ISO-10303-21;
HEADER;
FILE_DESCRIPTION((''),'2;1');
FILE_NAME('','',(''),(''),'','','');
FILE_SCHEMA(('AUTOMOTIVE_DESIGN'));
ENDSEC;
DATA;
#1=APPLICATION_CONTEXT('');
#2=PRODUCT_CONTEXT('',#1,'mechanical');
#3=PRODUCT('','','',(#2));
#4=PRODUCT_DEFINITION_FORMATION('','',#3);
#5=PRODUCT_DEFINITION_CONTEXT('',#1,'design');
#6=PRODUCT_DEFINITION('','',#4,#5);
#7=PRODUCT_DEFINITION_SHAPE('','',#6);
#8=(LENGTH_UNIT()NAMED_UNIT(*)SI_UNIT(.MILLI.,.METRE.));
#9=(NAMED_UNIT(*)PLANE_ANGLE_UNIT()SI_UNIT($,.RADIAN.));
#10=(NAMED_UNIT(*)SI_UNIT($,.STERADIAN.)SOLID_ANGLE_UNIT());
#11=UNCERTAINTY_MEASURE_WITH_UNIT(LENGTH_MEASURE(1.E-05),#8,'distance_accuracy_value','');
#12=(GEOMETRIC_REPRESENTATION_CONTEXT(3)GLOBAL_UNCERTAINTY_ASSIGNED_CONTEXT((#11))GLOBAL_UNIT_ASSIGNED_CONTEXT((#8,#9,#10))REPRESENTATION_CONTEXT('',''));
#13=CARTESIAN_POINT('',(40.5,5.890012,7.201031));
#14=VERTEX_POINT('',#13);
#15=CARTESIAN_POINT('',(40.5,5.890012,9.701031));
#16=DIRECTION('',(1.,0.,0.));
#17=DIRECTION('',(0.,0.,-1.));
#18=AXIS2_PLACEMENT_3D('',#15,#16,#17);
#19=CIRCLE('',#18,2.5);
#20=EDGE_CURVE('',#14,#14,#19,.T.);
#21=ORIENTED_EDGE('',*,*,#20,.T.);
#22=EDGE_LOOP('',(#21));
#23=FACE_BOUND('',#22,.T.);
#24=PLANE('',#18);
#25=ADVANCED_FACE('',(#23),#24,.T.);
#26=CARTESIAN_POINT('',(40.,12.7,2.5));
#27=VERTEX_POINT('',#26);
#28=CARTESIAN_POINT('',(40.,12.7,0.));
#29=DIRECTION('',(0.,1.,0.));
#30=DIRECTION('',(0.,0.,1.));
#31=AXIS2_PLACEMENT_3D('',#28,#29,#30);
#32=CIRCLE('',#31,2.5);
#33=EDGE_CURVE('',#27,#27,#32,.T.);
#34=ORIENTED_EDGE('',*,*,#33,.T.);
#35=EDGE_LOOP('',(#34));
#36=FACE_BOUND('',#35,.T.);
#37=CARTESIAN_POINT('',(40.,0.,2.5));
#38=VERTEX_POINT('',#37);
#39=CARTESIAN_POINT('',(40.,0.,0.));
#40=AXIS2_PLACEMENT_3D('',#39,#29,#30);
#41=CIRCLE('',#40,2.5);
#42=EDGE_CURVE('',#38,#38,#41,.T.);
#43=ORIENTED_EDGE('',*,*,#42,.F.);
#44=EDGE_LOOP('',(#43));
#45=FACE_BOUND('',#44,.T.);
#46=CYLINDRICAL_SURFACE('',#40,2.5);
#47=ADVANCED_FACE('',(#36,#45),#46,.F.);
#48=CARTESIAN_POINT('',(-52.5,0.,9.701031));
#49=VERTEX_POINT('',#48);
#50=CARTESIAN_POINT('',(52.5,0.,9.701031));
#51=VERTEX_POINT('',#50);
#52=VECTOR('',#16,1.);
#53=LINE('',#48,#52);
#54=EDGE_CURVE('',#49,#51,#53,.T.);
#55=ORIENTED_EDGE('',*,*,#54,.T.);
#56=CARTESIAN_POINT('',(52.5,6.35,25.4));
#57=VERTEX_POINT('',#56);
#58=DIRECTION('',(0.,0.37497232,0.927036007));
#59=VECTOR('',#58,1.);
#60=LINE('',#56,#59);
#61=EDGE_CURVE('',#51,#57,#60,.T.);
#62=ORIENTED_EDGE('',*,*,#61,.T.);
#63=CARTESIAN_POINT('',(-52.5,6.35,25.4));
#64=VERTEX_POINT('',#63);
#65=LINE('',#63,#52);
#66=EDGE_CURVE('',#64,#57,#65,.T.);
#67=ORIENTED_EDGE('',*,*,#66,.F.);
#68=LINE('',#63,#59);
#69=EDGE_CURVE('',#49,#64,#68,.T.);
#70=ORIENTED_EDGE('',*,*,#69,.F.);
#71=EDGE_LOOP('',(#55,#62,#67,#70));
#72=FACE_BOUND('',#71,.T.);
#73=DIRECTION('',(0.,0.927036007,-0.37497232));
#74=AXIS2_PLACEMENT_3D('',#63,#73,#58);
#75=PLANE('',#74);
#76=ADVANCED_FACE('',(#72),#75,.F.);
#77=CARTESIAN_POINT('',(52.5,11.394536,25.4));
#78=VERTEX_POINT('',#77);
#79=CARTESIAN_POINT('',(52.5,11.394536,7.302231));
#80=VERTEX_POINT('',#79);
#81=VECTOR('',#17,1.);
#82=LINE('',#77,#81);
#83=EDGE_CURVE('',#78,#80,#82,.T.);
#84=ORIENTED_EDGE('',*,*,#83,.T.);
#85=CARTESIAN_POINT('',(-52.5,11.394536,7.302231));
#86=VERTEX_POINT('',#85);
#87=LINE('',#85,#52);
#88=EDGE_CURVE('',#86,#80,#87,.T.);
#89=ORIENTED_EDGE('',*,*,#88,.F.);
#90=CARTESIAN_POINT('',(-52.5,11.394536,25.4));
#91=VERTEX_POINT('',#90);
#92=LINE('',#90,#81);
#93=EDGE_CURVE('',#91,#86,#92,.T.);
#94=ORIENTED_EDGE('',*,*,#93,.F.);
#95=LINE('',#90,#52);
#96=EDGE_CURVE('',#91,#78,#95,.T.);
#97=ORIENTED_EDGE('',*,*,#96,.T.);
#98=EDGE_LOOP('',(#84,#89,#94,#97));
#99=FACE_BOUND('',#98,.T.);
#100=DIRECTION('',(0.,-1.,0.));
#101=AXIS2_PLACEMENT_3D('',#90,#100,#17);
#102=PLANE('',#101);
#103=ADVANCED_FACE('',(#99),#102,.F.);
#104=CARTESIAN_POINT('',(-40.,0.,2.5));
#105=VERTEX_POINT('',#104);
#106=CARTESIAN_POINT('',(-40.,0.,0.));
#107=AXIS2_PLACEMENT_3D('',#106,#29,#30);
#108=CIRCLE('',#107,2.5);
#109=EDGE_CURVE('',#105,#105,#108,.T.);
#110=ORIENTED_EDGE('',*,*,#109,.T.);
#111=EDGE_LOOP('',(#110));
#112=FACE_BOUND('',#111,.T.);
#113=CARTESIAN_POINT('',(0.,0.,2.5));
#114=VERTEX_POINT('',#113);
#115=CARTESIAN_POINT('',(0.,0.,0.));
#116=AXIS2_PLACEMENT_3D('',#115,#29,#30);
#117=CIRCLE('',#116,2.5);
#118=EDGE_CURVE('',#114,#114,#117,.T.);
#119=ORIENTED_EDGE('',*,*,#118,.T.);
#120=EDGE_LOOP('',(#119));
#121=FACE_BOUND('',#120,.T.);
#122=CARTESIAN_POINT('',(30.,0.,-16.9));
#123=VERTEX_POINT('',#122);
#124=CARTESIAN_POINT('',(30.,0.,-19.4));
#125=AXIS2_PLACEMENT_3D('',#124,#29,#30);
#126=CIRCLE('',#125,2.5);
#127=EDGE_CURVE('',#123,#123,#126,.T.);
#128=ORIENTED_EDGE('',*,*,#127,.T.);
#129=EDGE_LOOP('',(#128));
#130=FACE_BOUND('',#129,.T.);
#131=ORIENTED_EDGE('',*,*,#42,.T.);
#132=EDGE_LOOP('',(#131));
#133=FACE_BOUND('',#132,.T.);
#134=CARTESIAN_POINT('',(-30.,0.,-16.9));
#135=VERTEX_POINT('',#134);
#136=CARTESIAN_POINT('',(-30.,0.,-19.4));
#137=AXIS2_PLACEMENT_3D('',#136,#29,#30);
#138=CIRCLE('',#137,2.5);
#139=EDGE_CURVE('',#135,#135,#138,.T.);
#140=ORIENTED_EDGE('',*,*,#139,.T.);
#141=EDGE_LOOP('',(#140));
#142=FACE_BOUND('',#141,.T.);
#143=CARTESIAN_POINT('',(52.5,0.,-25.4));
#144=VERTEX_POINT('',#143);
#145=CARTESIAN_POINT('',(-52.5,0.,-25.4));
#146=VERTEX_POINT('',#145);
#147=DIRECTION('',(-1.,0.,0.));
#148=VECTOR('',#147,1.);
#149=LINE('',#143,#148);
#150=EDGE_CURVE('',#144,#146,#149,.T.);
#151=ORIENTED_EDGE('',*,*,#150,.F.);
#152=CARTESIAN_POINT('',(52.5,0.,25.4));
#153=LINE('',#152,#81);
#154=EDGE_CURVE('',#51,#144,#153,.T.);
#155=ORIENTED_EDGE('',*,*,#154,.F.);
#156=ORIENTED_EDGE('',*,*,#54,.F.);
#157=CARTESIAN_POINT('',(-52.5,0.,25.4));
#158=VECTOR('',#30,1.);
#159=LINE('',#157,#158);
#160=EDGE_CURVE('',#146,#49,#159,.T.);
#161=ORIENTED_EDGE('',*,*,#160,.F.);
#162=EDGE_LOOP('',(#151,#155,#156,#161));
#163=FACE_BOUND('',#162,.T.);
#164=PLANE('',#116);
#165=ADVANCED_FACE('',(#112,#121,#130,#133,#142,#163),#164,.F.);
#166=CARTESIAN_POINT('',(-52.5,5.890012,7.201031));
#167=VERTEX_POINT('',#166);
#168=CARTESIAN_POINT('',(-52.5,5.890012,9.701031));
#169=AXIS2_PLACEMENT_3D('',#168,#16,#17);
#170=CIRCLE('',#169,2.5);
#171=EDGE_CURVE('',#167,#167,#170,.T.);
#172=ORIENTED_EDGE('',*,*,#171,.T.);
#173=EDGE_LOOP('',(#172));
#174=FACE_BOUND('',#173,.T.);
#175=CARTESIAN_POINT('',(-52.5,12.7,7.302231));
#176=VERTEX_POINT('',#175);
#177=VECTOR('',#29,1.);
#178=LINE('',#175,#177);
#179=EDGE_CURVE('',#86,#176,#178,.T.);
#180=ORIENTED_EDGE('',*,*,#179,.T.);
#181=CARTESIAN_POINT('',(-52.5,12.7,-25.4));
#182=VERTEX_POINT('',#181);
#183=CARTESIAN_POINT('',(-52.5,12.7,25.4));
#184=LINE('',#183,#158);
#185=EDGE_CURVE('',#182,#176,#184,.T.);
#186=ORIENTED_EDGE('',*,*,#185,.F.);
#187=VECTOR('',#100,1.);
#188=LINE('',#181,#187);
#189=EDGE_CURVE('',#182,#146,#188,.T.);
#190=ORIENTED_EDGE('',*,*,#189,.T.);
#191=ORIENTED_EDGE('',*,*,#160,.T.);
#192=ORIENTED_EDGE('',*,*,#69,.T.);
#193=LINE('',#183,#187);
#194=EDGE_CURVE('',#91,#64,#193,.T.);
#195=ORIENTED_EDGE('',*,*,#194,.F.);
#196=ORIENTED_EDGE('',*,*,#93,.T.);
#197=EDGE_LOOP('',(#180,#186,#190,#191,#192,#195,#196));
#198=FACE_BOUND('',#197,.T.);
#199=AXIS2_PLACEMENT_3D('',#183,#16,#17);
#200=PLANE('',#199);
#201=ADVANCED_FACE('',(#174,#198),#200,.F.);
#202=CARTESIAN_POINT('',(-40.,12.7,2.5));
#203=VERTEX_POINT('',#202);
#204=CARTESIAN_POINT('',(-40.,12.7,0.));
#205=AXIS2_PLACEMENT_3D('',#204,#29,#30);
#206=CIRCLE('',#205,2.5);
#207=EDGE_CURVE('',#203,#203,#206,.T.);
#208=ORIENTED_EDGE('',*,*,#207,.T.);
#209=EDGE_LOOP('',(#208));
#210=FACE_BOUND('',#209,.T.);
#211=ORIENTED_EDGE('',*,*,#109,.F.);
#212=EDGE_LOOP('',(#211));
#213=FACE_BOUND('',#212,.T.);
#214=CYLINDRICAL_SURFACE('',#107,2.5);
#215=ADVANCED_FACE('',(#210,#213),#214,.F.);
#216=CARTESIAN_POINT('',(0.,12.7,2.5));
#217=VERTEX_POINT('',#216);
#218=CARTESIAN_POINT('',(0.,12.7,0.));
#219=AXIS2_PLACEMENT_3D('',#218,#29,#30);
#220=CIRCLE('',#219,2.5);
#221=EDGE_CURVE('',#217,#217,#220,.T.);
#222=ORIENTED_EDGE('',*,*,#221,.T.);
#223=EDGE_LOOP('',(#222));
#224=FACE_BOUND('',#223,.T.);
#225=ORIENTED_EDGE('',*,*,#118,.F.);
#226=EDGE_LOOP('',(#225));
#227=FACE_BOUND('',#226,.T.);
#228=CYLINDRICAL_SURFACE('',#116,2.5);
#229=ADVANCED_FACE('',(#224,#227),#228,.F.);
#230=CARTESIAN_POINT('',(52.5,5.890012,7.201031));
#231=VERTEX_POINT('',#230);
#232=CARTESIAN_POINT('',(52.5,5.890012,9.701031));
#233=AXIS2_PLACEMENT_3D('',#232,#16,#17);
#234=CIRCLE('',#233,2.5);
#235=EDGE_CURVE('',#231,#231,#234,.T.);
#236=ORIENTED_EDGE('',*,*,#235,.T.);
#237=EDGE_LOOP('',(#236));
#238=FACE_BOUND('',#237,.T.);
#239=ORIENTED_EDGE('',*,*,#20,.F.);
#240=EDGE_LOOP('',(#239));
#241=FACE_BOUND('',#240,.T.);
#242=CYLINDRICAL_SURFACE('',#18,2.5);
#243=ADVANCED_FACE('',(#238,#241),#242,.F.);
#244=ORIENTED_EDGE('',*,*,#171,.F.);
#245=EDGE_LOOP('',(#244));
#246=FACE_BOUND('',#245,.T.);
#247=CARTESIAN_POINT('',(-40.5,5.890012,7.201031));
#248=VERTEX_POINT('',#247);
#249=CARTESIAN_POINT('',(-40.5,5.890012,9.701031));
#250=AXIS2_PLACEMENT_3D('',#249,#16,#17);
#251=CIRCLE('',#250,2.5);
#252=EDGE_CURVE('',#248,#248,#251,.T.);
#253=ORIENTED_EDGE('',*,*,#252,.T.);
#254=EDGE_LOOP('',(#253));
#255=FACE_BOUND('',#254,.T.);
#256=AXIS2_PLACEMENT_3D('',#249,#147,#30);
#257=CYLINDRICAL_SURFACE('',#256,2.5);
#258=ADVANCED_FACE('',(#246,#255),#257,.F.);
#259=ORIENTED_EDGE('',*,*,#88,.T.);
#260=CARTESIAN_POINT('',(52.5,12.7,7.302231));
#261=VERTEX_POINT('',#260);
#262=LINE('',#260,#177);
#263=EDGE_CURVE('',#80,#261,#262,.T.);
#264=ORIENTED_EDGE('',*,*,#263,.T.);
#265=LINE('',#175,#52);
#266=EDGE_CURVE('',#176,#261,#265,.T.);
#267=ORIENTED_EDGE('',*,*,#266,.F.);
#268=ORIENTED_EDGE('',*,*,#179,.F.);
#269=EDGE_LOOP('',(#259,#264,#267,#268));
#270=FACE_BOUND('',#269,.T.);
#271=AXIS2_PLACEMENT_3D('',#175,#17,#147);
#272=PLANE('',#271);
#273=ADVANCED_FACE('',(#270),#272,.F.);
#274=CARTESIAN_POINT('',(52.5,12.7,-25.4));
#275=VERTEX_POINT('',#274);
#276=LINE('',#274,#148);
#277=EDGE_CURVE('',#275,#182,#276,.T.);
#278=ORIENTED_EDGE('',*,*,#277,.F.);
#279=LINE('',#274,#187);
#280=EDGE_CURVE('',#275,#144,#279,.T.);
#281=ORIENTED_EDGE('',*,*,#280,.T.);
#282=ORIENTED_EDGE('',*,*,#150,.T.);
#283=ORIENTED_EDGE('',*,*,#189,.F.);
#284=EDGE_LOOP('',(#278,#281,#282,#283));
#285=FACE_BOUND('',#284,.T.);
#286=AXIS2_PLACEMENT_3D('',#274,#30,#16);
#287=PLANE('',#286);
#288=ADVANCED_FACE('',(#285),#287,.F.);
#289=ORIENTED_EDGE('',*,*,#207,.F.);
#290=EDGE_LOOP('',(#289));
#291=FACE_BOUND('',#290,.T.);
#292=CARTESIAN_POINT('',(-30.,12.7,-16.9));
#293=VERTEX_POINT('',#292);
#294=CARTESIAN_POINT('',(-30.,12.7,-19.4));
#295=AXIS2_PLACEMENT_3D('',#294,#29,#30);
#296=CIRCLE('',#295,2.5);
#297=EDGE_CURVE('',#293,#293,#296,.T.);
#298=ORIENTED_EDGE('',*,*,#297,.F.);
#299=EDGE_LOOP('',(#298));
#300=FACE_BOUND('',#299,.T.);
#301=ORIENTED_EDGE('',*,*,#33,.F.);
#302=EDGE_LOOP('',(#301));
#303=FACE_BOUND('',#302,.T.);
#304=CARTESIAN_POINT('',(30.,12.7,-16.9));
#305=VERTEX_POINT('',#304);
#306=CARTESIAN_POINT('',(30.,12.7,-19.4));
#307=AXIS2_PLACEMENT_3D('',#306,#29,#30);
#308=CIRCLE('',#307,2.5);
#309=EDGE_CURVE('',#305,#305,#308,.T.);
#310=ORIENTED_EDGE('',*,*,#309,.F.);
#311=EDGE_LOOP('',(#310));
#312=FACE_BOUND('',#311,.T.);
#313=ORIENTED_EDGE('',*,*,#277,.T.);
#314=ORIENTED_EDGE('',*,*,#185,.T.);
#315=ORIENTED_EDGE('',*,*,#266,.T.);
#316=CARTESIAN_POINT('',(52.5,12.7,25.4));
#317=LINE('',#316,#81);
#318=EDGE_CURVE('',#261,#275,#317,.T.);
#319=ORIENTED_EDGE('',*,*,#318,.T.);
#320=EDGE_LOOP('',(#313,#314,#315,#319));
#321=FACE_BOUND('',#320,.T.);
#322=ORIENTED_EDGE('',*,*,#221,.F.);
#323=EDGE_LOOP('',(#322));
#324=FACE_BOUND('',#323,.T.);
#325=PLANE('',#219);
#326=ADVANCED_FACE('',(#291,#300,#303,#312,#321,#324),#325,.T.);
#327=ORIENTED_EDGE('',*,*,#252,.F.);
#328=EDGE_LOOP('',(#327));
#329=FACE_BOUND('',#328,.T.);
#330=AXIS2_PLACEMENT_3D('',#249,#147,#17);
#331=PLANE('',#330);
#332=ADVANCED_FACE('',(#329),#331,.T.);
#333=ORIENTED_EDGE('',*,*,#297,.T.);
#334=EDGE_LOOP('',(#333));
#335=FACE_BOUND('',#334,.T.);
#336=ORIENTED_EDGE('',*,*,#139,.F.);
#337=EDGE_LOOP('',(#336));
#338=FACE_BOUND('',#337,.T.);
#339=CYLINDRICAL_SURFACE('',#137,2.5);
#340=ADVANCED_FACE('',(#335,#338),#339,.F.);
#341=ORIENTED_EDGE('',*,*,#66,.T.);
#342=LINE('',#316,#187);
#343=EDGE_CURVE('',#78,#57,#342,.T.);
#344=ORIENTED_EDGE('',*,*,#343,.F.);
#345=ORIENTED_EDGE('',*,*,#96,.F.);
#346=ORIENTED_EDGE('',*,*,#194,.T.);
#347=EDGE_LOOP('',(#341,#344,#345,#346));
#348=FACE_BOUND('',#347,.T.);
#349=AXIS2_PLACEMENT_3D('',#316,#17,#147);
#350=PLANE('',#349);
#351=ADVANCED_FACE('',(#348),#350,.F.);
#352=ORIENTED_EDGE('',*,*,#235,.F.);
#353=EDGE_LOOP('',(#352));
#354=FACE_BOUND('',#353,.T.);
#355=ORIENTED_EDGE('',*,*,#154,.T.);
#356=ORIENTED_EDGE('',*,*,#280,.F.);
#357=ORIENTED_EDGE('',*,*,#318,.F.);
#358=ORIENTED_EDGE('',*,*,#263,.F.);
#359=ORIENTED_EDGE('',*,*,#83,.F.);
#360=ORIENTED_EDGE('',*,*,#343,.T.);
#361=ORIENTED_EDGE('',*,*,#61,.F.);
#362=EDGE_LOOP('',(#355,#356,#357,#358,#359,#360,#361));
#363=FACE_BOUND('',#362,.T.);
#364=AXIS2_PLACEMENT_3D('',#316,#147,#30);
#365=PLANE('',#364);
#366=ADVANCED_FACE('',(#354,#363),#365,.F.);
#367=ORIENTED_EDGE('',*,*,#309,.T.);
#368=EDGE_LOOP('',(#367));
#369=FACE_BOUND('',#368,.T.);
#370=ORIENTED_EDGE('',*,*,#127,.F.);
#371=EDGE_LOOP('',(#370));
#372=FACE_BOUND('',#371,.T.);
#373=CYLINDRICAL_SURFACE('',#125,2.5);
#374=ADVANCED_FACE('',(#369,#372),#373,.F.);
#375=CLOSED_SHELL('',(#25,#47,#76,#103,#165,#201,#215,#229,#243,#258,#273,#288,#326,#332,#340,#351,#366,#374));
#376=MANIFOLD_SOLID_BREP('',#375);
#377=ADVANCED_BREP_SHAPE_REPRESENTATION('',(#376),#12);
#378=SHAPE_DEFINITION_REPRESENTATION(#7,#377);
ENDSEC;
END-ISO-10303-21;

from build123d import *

# Parameters (mm, degrees)
CROQUIS1_W              = 105
CROQUIS1_H              = 50.8
SALIENTE_EXTRUIR1_DEPTH = 12.7
CROQUIS2_W              = 18.097769025
CROQUIS2_H              = 1.305463626
CORTAR_EXTRUIR1_DEPTH   = 109.772468943
CROQUIS3_R              = 2.5
CORTAR_EXTRUIR2_DEPTH   = 60.688357324
CROQUIS4_R              = 2.5
CORTAR_EXTRUIR3_DEPTH   = 60.688357324
CROQUIS5_R              = 2.5
CORTAR_EXTRUIR4_DEPTH   = 12


with BuildPart() as part:
    # Croquis1 → Saliente-Extruir1 (new body)
    with BuildSketch(Plane(origin=(0, 0, 0), x_dir=(1, 0, 0), z_dir=(0, 1, 0))):
        Rectangle(CROQUIS1_W, CROQUIS1_H)
    extrude(amount=SALIENTE_EXTRUIR1_DEPTH)

    # Croquis2 → Cortar-Extruir1 (cut, through all)
    with BuildSketch(Plane(origin=(52.5, 0, 0), x_dir=(0, 0, -1), z_dir=(1, 0, 0))):
        Polygon((-25.4, 6.35), (-9.701031489, 0), (-25.4, 0), align=None)
        with Locations((-16.351115488, 12.047268187)):
            Rectangle(CROQUIS2_W, CROQUIS2_H)
    extrude(amount=-CORTAR_EXTRUIR1_DEPTH, mode=Mode.SUBTRACT)

    # Croquis3 → Cortar-Extruir2 (cut, through all)
    with BuildSketch(Plane(origin=(0, 12.7, 0), x_dir=(1, 0, 0), z_dir=(0, 1, 0))):
        with Locations(Location((0, 0, 0), (0, 0, 270))):
            Circle(CROQUIS3_R)
        with Locations(Location((-40, 0, 0), (0, 0, 270))):
            Circle(CROQUIS3_R)
        with Locations(Location((40, 0, 0), (0, 0, 270))):
            Circle(CROQUIS3_R)
    extrude(amount=-CORTAR_EXTRUIR2_DEPTH, mode=Mode.SUBTRACT)

    # Croquis4 → Cortar-Extruir3 (cut, through all)
    with BuildSketch(Plane(origin=(0, 12.7, 0), x_dir=(1, 0, 0), z_dir=(0, 1, 0))):
        with Locations(Location((-30, 19.4, 0), (0, 0, 270))):
            Circle(CROQUIS4_R)
        with Locations(Location((30, 19.4, 0), (0, 0, 270))):
            Circle(CROQUIS4_R)
    extrude(amount=-CORTAR_EXTRUIR3_DEPTH, mode=Mode.SUBTRACT)

    # Croquis5 → Cortar-Extruir4 (cut)
    with BuildSketch(Plane(origin=(52.5, 0, 0), x_dir=(0, 0, -1), z_dir=(1, 0, 0))):
        with Locations((-9.701031489, 5.890011881)):
            Circle(CROQUIS5_R)
    cortar_extruir4 = extrude(amount=-CORTAR_EXTRUIR4_DEPTH, mode=Mode.SUBTRACT)

    # Simetría1: Cortar-Extruir4 across plane
    add(cortar_extruir4.mirror(Plane(origin=(0, 0, 0), x_dir=(0, 0, 1), z_dir=(1, 0, 0))), mode=Mode.SUBTRACT)


solid = part.part
